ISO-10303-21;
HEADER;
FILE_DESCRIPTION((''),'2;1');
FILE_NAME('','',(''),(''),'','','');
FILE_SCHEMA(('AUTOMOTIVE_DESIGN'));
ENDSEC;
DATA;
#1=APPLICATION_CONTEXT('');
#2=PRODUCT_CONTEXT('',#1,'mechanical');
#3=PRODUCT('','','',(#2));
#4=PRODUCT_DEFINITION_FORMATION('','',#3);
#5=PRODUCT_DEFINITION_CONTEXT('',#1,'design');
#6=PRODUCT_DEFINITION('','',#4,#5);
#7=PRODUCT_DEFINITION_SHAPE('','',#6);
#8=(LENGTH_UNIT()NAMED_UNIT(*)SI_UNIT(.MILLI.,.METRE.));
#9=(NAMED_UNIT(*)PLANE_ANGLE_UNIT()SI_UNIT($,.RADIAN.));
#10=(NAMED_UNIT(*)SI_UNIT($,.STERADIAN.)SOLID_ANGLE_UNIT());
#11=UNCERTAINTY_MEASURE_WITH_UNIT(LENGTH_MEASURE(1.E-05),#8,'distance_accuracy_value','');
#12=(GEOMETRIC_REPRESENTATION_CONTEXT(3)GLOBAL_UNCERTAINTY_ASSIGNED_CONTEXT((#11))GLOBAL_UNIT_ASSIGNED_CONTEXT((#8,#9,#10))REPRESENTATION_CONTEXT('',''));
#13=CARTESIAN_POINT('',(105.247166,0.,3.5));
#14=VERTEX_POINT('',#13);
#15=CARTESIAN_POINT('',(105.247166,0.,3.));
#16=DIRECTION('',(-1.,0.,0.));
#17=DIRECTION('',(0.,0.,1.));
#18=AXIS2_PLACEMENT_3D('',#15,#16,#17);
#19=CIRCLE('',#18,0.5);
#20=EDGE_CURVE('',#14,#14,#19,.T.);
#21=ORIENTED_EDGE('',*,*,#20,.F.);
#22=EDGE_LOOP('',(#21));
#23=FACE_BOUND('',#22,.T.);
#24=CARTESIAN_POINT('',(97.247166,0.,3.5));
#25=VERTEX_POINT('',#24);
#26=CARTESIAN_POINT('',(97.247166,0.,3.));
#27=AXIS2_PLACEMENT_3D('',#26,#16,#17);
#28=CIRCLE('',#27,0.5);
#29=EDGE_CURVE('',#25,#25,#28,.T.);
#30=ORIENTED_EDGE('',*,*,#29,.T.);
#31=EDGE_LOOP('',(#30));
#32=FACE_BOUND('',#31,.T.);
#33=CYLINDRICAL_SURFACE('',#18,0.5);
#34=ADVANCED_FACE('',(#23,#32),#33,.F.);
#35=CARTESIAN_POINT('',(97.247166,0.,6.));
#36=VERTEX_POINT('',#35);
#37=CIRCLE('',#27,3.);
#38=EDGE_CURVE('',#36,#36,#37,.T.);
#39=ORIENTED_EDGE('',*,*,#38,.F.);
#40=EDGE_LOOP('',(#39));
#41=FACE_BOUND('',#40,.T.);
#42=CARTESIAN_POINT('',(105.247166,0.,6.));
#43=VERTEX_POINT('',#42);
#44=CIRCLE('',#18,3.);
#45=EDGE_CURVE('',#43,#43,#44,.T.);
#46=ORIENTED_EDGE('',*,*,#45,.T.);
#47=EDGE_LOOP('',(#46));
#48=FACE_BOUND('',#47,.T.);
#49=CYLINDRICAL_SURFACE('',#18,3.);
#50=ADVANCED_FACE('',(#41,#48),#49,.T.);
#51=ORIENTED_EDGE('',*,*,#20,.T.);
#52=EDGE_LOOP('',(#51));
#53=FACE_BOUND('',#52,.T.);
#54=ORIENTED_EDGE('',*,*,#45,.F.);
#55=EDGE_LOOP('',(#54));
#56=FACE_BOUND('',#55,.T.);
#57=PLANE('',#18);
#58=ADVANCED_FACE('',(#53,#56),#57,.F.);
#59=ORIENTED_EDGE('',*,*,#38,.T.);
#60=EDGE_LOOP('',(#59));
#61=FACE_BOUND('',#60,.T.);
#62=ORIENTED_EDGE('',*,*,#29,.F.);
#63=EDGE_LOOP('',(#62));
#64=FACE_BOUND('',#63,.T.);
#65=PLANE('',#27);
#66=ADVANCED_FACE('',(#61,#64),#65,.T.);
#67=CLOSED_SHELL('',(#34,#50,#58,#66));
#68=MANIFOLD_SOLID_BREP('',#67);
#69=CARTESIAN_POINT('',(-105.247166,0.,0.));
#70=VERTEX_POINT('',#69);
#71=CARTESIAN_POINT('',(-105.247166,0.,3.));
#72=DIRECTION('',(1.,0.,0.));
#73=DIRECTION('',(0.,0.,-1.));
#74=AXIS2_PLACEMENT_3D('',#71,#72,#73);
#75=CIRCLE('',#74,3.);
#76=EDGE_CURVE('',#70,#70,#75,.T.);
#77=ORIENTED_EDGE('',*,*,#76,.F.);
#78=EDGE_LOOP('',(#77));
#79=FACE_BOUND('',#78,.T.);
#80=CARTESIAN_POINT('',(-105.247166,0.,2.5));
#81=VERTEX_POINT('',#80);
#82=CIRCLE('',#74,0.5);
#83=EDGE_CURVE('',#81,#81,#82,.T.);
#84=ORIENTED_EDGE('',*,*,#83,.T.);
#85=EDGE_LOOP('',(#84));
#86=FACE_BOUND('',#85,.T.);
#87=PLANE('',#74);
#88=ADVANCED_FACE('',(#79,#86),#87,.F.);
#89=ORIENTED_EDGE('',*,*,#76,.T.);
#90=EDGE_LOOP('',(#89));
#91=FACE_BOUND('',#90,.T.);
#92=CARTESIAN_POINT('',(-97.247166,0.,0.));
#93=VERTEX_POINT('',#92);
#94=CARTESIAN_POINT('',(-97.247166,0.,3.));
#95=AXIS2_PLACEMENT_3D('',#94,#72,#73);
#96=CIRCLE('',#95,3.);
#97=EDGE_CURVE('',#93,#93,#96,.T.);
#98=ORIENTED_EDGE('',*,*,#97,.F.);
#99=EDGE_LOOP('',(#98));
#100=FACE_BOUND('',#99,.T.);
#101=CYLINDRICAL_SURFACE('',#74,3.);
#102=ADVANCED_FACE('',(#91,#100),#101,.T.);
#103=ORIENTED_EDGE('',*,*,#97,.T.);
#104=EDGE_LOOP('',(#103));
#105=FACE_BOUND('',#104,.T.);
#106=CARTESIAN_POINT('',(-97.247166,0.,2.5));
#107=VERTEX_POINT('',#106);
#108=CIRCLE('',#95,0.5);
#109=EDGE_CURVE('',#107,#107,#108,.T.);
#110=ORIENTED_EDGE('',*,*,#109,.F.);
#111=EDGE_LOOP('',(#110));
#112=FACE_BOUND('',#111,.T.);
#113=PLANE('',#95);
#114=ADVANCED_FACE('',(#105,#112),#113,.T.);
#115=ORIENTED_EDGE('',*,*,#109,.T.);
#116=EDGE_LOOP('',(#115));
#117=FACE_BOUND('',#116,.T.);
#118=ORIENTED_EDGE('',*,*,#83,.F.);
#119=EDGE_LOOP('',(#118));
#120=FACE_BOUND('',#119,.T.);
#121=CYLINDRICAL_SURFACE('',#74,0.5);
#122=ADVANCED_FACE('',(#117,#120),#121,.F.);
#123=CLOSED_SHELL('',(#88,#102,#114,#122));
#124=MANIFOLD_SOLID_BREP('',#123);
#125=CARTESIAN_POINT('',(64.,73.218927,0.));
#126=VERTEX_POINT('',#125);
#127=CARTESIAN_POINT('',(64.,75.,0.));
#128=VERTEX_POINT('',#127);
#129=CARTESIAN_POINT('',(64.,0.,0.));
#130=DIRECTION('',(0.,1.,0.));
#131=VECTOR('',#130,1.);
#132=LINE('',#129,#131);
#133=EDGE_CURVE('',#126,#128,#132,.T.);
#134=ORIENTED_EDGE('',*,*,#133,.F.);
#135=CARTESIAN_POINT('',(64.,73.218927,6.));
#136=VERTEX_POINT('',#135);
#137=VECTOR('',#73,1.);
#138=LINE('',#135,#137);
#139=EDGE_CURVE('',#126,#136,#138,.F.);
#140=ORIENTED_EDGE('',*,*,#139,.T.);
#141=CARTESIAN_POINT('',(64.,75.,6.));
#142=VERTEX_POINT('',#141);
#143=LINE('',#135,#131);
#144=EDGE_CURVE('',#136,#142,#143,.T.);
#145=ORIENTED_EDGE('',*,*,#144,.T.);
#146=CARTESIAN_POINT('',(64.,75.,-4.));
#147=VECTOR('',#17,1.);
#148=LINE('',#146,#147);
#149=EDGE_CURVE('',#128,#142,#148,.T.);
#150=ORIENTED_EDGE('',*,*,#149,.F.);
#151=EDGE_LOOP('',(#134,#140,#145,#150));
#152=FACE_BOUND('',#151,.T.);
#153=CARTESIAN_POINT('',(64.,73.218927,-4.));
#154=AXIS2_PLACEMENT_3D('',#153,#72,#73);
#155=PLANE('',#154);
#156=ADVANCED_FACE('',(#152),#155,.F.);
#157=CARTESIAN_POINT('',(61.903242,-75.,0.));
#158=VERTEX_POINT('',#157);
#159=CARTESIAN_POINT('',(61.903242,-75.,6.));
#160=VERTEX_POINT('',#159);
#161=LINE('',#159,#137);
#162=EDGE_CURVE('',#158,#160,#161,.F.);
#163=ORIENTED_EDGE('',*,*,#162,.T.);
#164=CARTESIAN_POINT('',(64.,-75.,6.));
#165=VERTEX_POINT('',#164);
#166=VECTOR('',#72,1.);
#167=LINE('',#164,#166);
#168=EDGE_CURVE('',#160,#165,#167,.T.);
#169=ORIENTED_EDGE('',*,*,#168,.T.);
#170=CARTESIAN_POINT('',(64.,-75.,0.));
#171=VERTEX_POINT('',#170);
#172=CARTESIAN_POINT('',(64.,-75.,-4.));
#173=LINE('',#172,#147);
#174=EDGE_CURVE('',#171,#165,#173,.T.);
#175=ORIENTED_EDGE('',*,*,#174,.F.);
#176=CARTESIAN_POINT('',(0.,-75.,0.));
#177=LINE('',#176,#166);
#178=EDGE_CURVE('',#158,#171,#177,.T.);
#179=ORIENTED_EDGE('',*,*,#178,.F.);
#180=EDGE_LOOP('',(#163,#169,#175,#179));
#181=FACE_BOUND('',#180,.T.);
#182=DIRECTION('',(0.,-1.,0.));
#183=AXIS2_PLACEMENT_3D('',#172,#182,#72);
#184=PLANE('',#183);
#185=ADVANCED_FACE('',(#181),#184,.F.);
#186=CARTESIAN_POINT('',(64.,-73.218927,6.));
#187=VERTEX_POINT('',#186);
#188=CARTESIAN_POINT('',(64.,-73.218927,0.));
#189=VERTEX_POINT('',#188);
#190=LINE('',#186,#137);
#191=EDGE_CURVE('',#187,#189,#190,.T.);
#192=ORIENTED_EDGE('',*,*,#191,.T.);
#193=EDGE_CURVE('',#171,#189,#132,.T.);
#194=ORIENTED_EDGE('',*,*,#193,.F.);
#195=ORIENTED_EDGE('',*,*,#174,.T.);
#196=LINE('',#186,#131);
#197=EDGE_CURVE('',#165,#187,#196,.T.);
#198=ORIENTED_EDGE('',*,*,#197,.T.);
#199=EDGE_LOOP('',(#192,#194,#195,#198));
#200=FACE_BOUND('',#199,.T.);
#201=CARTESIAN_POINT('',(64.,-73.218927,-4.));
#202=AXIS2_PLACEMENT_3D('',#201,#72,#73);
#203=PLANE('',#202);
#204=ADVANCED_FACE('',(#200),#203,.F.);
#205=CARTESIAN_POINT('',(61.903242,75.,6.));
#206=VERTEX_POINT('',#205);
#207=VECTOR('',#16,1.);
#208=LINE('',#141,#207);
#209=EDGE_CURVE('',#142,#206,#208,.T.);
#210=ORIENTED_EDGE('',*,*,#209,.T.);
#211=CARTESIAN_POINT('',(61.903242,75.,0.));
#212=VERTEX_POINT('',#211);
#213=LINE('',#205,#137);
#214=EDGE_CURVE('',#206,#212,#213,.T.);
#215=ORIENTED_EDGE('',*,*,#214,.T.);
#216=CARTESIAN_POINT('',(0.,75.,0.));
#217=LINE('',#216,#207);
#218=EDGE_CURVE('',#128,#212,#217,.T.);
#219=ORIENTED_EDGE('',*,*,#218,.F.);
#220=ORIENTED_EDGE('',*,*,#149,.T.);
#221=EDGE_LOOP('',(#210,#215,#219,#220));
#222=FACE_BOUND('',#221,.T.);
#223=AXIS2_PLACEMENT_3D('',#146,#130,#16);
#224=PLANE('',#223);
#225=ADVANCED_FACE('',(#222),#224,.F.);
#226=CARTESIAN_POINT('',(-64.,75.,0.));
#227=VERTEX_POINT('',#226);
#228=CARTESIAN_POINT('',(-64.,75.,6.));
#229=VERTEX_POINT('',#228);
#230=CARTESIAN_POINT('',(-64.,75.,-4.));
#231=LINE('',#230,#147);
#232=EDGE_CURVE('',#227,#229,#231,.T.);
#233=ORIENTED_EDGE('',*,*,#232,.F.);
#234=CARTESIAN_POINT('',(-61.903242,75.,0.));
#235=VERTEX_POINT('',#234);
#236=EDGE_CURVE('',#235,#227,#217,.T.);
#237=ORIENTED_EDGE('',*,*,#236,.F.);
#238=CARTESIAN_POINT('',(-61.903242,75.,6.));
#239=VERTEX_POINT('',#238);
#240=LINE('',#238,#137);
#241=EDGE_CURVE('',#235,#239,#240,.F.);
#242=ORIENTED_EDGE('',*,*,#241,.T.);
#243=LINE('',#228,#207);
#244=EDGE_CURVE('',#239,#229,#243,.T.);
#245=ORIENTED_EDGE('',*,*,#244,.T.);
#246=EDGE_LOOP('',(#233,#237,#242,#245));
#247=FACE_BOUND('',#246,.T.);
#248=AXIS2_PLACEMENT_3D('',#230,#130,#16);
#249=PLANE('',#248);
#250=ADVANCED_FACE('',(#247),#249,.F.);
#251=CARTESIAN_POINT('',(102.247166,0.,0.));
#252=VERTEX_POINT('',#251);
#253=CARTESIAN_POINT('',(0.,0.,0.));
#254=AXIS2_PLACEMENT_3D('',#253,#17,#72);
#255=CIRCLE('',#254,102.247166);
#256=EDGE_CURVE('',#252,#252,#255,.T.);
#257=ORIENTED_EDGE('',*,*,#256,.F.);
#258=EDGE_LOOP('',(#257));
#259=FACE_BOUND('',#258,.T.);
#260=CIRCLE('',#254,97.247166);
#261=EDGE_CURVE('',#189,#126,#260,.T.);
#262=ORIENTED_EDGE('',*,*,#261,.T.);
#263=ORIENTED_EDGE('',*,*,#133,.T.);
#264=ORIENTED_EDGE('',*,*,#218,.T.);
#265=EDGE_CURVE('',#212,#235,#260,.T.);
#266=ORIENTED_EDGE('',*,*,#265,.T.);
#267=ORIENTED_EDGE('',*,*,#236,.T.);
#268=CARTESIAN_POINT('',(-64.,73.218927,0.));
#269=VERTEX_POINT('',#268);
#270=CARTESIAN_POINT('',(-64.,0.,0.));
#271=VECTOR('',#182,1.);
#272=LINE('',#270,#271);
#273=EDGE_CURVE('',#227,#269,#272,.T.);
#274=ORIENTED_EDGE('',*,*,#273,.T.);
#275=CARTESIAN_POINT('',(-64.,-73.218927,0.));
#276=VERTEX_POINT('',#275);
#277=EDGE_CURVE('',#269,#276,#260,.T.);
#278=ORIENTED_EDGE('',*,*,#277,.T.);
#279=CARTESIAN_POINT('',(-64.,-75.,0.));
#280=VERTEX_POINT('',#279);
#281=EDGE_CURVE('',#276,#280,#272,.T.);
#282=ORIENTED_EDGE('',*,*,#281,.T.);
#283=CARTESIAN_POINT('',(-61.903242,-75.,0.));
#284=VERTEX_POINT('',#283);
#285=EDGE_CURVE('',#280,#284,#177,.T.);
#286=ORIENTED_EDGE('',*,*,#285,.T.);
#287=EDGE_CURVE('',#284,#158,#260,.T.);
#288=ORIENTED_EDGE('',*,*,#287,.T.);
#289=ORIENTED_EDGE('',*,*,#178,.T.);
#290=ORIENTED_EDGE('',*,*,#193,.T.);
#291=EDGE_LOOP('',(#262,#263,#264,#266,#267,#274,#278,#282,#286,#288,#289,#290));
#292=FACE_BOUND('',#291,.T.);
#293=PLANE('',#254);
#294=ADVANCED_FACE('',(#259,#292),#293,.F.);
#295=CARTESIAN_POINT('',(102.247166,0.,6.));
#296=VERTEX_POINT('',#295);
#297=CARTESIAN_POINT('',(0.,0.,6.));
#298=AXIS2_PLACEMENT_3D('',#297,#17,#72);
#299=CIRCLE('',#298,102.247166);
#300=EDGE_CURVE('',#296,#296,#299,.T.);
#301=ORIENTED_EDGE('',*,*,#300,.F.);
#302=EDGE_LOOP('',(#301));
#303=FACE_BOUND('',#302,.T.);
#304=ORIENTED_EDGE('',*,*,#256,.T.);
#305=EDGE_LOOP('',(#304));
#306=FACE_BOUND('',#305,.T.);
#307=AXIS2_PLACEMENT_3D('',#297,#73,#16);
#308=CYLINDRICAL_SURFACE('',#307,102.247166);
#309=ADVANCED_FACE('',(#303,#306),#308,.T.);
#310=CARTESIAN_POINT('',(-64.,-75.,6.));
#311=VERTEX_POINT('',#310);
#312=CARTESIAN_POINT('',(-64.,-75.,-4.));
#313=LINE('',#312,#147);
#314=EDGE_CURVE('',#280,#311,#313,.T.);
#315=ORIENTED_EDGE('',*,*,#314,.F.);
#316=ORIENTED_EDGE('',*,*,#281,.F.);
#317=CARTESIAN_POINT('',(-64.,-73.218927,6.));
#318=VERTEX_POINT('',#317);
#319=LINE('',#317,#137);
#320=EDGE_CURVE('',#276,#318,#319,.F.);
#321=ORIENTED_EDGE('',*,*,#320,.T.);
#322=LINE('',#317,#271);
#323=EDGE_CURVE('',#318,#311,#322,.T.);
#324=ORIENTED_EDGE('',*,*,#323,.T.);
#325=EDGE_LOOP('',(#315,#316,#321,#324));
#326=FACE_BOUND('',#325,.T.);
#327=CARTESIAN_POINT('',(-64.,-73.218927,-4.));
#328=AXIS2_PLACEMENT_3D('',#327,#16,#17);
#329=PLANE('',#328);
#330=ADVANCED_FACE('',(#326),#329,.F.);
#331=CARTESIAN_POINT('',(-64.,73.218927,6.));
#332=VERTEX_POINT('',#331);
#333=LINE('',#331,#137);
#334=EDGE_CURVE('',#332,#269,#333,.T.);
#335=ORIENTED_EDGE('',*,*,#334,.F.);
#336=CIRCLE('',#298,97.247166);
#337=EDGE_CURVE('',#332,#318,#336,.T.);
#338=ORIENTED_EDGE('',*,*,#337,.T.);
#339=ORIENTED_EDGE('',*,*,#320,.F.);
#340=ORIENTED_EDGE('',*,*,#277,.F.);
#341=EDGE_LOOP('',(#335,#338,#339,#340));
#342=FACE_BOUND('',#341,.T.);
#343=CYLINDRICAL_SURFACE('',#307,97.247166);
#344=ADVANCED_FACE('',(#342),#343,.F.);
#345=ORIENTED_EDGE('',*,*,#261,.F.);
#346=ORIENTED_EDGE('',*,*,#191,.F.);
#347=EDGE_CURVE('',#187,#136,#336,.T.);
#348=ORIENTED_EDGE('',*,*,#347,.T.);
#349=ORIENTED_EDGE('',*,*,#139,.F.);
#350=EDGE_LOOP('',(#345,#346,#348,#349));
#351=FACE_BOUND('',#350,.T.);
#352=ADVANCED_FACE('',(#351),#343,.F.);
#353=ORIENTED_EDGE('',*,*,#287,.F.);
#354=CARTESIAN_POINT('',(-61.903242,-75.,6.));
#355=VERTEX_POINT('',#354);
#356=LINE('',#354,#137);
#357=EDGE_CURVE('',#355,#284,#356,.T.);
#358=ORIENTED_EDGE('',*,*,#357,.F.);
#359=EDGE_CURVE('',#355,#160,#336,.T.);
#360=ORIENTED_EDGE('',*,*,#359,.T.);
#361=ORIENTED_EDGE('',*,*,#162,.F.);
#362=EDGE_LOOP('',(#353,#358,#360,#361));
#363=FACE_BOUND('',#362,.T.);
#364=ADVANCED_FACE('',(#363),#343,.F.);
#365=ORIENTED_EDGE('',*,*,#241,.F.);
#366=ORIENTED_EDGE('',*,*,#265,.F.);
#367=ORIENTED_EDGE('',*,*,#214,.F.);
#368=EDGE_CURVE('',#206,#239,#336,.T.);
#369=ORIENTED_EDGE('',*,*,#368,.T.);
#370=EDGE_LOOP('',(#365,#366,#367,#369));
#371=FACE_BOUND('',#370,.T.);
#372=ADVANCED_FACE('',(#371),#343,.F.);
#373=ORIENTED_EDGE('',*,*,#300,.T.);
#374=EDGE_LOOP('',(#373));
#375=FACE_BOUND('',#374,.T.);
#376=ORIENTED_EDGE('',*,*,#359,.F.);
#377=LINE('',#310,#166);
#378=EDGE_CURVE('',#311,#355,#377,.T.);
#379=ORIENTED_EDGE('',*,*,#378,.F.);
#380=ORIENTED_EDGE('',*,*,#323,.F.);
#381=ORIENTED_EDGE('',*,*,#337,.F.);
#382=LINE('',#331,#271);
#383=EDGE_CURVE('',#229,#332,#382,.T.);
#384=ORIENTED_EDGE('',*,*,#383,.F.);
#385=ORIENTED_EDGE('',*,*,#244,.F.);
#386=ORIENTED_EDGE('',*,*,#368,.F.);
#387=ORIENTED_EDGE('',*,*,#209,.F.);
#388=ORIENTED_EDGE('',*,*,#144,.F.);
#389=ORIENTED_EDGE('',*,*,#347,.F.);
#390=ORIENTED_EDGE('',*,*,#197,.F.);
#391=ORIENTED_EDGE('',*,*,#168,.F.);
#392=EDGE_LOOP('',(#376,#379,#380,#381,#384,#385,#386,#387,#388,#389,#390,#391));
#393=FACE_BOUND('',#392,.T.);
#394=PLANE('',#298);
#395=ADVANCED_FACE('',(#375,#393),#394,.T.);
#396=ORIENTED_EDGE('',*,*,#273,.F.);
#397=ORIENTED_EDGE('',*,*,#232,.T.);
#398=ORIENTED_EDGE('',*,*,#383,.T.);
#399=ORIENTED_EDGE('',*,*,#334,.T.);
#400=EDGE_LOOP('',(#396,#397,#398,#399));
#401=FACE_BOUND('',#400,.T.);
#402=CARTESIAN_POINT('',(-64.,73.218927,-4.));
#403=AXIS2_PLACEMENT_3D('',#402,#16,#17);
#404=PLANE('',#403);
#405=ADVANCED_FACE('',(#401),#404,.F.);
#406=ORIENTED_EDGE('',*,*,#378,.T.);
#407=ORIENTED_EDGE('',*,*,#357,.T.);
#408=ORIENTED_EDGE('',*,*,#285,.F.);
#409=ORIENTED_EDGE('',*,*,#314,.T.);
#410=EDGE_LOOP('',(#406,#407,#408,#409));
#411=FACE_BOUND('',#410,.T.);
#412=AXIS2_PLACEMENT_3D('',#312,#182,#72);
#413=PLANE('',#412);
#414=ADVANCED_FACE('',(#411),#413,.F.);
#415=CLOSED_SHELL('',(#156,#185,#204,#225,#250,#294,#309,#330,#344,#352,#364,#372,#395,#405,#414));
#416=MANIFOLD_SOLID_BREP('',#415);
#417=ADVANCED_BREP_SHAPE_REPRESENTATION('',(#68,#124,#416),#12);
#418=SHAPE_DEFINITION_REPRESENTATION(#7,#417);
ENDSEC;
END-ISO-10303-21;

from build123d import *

# Parameters (mm, degrees)
SKETCH1_R           = 102.24716621
SKETCH1_R_2         = 97.24716621
BOSS_EXTRUDE1_DEPTH = 6
SKETCH3_R           = 3
SKETCH3_R_2         = 0.5
BOSS_EXTRUDE2_DEPTH = 8
SKETCH4_R           = 3
SKETCH4_R_2         = 0.5
BOSS_EXTRUDE3_DEPTH = 8
CUT_EXTRUDE3_DEPTH  = 10


with BuildPart() as part:
    # Sketch1 → Boss-Extrude1 (new body)
    with BuildSketch(Plane.XY):
        Circle(SKETCH1_R)
        Circle(SKETCH1_R_2, mode=Mode.SUBTRACT)
    extrude(amount=BOSS_EXTRUDE1_DEPTH)

    # Sketch5 → Cut-Extrude3 (cut)
    with BuildSketch(Plane.XY.offset(6)):
        Polygon((-64, 73.218927443), (-64, 75), (-61.903241723, 75), align=None)
        Polygon((64, 73.218927443), (61.903241723, 75), (64, 75), align=None)
        Polygon((64, -75), (61.903241723, -75), (64, -73.218927443), align=None)
        Polygon((-64, -73.218927443), (-61.903241723, -75), (-64, -75), align=None)
    extrude(amount=-CUT_EXTRUDE3_DEPTH, mode=Mode.SUBTRACT)


with BuildPart() as body_2:
    # Sketch3 → Boss-Extrude2 (new body)
    with BuildSketch(Plane(origin=(-97.24716621, 0, 0), x_dir=(0, 0, -1), z_dir=(1, 0, 0))):
        with Locations((-3, 0)):
            Circle(SKETCH3_R)
        with Locations((-3, 0)):
            Circle(SKETCH3_R_2, mode=Mode.SUBTRACT)
    extrude(amount=-BOSS_EXTRUDE2_DEPTH)


with BuildPart() as body_3:
    # Sketch4 → Boss-Extrude3 (new body)
    with BuildSketch(Plane.ZY.offset(-97.24716621)):
        with Locations((3, 0)):
            Circle(SKETCH4_R)
        with Locations((3, 0)):
            Circle(SKETCH4_R_2, mode=Mode.SUBTRACT)
    extrude(amount=-BOSS_EXTRUDE3_DEPTH)


solid = Compound([part.part, body_2.part, body_3.part])
